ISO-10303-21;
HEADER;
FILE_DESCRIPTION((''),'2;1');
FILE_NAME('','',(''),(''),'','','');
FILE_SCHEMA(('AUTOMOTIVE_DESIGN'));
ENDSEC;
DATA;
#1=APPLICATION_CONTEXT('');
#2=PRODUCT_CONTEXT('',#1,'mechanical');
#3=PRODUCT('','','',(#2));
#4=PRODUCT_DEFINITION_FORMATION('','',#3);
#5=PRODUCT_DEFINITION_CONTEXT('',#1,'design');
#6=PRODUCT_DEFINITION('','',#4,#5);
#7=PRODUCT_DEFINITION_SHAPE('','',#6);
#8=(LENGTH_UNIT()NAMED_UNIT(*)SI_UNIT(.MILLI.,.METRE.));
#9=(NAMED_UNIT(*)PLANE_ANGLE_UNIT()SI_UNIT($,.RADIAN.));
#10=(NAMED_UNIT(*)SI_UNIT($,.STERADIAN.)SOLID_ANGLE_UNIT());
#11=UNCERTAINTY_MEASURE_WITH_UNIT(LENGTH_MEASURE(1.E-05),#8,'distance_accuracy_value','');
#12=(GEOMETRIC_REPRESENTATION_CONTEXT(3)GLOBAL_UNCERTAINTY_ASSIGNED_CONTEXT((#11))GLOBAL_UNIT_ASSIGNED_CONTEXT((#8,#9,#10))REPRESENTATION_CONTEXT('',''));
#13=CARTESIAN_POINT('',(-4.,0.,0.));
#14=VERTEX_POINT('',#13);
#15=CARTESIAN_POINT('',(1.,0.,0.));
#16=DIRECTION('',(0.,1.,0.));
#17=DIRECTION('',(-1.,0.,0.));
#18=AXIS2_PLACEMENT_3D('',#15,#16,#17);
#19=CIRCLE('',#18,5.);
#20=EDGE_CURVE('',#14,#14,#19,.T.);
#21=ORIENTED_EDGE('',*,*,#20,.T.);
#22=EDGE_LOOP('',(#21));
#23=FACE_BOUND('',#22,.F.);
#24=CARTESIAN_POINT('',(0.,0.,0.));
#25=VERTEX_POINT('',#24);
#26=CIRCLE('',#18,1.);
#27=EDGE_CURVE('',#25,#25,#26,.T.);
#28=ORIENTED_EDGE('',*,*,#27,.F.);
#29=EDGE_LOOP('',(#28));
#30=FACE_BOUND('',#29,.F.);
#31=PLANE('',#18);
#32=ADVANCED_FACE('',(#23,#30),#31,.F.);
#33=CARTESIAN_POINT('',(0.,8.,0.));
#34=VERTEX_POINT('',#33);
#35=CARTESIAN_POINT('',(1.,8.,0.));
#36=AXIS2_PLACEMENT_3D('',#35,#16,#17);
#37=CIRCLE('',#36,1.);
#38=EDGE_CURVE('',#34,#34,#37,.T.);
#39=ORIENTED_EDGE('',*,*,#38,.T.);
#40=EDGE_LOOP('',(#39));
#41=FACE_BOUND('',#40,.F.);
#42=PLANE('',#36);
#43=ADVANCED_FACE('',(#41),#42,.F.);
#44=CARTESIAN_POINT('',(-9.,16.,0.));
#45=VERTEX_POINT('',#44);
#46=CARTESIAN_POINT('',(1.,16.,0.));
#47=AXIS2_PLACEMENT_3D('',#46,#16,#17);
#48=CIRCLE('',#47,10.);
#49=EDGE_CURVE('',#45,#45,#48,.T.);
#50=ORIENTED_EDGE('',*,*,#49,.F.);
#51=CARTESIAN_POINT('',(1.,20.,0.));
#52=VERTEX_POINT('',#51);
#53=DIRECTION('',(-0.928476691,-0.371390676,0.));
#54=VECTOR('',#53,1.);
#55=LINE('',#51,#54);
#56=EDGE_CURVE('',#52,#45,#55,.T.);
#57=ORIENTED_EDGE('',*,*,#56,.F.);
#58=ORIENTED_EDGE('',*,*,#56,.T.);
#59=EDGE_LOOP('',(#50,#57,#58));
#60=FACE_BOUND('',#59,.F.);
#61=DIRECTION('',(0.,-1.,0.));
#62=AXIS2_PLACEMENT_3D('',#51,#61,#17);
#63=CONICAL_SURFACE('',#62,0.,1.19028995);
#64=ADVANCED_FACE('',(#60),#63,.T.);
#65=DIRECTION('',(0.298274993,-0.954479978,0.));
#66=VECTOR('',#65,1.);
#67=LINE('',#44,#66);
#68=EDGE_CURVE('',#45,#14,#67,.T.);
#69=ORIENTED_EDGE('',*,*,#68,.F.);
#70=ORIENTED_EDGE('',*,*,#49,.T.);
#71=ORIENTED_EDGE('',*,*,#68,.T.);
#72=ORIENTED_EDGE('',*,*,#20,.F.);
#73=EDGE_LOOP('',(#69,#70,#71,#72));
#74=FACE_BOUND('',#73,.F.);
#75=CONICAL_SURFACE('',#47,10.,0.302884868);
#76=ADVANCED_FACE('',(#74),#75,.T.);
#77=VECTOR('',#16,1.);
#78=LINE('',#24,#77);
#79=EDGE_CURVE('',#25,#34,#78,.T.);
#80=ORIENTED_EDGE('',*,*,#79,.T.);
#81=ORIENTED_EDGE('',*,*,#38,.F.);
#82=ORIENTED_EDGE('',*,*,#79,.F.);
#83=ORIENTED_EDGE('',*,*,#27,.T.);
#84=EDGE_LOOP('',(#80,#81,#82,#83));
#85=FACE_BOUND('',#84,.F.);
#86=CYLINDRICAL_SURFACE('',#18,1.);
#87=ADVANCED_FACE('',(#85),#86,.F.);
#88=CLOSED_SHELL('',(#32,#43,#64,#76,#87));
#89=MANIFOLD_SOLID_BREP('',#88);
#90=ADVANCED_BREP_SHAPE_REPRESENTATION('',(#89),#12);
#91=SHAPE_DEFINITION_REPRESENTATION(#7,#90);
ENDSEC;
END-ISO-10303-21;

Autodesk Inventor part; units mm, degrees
ref_plane "YZ Plane" through (0, 0, 0) normal (1, 0, 0) x (0, 1, 0)
ref_plane "XZ Plane" through (0, 0, 0) normal (0, 1, 0) x (-1, 0, 0)
ref_plane "XY Plane" through (0, 0, 0) normal (0, 0, 1) x (1, 0, 0)
sketch "Sketch1" plane through (0, 0, 0) normal (0, 0, 1) x (1, 0, 0)
  line L0 (0, 0) -> (0, 8)
  line L1 (0, 8) -> (1, 8)
  line L2 (1, 8) -> (1, 20)
  line L3 (1, 20) -> (-9, 16)
  line L4 (-4, 0) -> (0, 0)
  line L5 (-9, 16) -> (-4, 0)
  point P0 (-2, 0)
  dimension "d0" = 8
  dimension "d1" = 1
  dimension "d2" = 20
  dimension "d3" = 4
  dimension "d6" = 10
  dimension "d8" = 4
revolve "Revolution1" add sketch "Sketch1" angle 360 about axis through (1, 8, 0) along (0, 1, 0)
properties part number "comp"
